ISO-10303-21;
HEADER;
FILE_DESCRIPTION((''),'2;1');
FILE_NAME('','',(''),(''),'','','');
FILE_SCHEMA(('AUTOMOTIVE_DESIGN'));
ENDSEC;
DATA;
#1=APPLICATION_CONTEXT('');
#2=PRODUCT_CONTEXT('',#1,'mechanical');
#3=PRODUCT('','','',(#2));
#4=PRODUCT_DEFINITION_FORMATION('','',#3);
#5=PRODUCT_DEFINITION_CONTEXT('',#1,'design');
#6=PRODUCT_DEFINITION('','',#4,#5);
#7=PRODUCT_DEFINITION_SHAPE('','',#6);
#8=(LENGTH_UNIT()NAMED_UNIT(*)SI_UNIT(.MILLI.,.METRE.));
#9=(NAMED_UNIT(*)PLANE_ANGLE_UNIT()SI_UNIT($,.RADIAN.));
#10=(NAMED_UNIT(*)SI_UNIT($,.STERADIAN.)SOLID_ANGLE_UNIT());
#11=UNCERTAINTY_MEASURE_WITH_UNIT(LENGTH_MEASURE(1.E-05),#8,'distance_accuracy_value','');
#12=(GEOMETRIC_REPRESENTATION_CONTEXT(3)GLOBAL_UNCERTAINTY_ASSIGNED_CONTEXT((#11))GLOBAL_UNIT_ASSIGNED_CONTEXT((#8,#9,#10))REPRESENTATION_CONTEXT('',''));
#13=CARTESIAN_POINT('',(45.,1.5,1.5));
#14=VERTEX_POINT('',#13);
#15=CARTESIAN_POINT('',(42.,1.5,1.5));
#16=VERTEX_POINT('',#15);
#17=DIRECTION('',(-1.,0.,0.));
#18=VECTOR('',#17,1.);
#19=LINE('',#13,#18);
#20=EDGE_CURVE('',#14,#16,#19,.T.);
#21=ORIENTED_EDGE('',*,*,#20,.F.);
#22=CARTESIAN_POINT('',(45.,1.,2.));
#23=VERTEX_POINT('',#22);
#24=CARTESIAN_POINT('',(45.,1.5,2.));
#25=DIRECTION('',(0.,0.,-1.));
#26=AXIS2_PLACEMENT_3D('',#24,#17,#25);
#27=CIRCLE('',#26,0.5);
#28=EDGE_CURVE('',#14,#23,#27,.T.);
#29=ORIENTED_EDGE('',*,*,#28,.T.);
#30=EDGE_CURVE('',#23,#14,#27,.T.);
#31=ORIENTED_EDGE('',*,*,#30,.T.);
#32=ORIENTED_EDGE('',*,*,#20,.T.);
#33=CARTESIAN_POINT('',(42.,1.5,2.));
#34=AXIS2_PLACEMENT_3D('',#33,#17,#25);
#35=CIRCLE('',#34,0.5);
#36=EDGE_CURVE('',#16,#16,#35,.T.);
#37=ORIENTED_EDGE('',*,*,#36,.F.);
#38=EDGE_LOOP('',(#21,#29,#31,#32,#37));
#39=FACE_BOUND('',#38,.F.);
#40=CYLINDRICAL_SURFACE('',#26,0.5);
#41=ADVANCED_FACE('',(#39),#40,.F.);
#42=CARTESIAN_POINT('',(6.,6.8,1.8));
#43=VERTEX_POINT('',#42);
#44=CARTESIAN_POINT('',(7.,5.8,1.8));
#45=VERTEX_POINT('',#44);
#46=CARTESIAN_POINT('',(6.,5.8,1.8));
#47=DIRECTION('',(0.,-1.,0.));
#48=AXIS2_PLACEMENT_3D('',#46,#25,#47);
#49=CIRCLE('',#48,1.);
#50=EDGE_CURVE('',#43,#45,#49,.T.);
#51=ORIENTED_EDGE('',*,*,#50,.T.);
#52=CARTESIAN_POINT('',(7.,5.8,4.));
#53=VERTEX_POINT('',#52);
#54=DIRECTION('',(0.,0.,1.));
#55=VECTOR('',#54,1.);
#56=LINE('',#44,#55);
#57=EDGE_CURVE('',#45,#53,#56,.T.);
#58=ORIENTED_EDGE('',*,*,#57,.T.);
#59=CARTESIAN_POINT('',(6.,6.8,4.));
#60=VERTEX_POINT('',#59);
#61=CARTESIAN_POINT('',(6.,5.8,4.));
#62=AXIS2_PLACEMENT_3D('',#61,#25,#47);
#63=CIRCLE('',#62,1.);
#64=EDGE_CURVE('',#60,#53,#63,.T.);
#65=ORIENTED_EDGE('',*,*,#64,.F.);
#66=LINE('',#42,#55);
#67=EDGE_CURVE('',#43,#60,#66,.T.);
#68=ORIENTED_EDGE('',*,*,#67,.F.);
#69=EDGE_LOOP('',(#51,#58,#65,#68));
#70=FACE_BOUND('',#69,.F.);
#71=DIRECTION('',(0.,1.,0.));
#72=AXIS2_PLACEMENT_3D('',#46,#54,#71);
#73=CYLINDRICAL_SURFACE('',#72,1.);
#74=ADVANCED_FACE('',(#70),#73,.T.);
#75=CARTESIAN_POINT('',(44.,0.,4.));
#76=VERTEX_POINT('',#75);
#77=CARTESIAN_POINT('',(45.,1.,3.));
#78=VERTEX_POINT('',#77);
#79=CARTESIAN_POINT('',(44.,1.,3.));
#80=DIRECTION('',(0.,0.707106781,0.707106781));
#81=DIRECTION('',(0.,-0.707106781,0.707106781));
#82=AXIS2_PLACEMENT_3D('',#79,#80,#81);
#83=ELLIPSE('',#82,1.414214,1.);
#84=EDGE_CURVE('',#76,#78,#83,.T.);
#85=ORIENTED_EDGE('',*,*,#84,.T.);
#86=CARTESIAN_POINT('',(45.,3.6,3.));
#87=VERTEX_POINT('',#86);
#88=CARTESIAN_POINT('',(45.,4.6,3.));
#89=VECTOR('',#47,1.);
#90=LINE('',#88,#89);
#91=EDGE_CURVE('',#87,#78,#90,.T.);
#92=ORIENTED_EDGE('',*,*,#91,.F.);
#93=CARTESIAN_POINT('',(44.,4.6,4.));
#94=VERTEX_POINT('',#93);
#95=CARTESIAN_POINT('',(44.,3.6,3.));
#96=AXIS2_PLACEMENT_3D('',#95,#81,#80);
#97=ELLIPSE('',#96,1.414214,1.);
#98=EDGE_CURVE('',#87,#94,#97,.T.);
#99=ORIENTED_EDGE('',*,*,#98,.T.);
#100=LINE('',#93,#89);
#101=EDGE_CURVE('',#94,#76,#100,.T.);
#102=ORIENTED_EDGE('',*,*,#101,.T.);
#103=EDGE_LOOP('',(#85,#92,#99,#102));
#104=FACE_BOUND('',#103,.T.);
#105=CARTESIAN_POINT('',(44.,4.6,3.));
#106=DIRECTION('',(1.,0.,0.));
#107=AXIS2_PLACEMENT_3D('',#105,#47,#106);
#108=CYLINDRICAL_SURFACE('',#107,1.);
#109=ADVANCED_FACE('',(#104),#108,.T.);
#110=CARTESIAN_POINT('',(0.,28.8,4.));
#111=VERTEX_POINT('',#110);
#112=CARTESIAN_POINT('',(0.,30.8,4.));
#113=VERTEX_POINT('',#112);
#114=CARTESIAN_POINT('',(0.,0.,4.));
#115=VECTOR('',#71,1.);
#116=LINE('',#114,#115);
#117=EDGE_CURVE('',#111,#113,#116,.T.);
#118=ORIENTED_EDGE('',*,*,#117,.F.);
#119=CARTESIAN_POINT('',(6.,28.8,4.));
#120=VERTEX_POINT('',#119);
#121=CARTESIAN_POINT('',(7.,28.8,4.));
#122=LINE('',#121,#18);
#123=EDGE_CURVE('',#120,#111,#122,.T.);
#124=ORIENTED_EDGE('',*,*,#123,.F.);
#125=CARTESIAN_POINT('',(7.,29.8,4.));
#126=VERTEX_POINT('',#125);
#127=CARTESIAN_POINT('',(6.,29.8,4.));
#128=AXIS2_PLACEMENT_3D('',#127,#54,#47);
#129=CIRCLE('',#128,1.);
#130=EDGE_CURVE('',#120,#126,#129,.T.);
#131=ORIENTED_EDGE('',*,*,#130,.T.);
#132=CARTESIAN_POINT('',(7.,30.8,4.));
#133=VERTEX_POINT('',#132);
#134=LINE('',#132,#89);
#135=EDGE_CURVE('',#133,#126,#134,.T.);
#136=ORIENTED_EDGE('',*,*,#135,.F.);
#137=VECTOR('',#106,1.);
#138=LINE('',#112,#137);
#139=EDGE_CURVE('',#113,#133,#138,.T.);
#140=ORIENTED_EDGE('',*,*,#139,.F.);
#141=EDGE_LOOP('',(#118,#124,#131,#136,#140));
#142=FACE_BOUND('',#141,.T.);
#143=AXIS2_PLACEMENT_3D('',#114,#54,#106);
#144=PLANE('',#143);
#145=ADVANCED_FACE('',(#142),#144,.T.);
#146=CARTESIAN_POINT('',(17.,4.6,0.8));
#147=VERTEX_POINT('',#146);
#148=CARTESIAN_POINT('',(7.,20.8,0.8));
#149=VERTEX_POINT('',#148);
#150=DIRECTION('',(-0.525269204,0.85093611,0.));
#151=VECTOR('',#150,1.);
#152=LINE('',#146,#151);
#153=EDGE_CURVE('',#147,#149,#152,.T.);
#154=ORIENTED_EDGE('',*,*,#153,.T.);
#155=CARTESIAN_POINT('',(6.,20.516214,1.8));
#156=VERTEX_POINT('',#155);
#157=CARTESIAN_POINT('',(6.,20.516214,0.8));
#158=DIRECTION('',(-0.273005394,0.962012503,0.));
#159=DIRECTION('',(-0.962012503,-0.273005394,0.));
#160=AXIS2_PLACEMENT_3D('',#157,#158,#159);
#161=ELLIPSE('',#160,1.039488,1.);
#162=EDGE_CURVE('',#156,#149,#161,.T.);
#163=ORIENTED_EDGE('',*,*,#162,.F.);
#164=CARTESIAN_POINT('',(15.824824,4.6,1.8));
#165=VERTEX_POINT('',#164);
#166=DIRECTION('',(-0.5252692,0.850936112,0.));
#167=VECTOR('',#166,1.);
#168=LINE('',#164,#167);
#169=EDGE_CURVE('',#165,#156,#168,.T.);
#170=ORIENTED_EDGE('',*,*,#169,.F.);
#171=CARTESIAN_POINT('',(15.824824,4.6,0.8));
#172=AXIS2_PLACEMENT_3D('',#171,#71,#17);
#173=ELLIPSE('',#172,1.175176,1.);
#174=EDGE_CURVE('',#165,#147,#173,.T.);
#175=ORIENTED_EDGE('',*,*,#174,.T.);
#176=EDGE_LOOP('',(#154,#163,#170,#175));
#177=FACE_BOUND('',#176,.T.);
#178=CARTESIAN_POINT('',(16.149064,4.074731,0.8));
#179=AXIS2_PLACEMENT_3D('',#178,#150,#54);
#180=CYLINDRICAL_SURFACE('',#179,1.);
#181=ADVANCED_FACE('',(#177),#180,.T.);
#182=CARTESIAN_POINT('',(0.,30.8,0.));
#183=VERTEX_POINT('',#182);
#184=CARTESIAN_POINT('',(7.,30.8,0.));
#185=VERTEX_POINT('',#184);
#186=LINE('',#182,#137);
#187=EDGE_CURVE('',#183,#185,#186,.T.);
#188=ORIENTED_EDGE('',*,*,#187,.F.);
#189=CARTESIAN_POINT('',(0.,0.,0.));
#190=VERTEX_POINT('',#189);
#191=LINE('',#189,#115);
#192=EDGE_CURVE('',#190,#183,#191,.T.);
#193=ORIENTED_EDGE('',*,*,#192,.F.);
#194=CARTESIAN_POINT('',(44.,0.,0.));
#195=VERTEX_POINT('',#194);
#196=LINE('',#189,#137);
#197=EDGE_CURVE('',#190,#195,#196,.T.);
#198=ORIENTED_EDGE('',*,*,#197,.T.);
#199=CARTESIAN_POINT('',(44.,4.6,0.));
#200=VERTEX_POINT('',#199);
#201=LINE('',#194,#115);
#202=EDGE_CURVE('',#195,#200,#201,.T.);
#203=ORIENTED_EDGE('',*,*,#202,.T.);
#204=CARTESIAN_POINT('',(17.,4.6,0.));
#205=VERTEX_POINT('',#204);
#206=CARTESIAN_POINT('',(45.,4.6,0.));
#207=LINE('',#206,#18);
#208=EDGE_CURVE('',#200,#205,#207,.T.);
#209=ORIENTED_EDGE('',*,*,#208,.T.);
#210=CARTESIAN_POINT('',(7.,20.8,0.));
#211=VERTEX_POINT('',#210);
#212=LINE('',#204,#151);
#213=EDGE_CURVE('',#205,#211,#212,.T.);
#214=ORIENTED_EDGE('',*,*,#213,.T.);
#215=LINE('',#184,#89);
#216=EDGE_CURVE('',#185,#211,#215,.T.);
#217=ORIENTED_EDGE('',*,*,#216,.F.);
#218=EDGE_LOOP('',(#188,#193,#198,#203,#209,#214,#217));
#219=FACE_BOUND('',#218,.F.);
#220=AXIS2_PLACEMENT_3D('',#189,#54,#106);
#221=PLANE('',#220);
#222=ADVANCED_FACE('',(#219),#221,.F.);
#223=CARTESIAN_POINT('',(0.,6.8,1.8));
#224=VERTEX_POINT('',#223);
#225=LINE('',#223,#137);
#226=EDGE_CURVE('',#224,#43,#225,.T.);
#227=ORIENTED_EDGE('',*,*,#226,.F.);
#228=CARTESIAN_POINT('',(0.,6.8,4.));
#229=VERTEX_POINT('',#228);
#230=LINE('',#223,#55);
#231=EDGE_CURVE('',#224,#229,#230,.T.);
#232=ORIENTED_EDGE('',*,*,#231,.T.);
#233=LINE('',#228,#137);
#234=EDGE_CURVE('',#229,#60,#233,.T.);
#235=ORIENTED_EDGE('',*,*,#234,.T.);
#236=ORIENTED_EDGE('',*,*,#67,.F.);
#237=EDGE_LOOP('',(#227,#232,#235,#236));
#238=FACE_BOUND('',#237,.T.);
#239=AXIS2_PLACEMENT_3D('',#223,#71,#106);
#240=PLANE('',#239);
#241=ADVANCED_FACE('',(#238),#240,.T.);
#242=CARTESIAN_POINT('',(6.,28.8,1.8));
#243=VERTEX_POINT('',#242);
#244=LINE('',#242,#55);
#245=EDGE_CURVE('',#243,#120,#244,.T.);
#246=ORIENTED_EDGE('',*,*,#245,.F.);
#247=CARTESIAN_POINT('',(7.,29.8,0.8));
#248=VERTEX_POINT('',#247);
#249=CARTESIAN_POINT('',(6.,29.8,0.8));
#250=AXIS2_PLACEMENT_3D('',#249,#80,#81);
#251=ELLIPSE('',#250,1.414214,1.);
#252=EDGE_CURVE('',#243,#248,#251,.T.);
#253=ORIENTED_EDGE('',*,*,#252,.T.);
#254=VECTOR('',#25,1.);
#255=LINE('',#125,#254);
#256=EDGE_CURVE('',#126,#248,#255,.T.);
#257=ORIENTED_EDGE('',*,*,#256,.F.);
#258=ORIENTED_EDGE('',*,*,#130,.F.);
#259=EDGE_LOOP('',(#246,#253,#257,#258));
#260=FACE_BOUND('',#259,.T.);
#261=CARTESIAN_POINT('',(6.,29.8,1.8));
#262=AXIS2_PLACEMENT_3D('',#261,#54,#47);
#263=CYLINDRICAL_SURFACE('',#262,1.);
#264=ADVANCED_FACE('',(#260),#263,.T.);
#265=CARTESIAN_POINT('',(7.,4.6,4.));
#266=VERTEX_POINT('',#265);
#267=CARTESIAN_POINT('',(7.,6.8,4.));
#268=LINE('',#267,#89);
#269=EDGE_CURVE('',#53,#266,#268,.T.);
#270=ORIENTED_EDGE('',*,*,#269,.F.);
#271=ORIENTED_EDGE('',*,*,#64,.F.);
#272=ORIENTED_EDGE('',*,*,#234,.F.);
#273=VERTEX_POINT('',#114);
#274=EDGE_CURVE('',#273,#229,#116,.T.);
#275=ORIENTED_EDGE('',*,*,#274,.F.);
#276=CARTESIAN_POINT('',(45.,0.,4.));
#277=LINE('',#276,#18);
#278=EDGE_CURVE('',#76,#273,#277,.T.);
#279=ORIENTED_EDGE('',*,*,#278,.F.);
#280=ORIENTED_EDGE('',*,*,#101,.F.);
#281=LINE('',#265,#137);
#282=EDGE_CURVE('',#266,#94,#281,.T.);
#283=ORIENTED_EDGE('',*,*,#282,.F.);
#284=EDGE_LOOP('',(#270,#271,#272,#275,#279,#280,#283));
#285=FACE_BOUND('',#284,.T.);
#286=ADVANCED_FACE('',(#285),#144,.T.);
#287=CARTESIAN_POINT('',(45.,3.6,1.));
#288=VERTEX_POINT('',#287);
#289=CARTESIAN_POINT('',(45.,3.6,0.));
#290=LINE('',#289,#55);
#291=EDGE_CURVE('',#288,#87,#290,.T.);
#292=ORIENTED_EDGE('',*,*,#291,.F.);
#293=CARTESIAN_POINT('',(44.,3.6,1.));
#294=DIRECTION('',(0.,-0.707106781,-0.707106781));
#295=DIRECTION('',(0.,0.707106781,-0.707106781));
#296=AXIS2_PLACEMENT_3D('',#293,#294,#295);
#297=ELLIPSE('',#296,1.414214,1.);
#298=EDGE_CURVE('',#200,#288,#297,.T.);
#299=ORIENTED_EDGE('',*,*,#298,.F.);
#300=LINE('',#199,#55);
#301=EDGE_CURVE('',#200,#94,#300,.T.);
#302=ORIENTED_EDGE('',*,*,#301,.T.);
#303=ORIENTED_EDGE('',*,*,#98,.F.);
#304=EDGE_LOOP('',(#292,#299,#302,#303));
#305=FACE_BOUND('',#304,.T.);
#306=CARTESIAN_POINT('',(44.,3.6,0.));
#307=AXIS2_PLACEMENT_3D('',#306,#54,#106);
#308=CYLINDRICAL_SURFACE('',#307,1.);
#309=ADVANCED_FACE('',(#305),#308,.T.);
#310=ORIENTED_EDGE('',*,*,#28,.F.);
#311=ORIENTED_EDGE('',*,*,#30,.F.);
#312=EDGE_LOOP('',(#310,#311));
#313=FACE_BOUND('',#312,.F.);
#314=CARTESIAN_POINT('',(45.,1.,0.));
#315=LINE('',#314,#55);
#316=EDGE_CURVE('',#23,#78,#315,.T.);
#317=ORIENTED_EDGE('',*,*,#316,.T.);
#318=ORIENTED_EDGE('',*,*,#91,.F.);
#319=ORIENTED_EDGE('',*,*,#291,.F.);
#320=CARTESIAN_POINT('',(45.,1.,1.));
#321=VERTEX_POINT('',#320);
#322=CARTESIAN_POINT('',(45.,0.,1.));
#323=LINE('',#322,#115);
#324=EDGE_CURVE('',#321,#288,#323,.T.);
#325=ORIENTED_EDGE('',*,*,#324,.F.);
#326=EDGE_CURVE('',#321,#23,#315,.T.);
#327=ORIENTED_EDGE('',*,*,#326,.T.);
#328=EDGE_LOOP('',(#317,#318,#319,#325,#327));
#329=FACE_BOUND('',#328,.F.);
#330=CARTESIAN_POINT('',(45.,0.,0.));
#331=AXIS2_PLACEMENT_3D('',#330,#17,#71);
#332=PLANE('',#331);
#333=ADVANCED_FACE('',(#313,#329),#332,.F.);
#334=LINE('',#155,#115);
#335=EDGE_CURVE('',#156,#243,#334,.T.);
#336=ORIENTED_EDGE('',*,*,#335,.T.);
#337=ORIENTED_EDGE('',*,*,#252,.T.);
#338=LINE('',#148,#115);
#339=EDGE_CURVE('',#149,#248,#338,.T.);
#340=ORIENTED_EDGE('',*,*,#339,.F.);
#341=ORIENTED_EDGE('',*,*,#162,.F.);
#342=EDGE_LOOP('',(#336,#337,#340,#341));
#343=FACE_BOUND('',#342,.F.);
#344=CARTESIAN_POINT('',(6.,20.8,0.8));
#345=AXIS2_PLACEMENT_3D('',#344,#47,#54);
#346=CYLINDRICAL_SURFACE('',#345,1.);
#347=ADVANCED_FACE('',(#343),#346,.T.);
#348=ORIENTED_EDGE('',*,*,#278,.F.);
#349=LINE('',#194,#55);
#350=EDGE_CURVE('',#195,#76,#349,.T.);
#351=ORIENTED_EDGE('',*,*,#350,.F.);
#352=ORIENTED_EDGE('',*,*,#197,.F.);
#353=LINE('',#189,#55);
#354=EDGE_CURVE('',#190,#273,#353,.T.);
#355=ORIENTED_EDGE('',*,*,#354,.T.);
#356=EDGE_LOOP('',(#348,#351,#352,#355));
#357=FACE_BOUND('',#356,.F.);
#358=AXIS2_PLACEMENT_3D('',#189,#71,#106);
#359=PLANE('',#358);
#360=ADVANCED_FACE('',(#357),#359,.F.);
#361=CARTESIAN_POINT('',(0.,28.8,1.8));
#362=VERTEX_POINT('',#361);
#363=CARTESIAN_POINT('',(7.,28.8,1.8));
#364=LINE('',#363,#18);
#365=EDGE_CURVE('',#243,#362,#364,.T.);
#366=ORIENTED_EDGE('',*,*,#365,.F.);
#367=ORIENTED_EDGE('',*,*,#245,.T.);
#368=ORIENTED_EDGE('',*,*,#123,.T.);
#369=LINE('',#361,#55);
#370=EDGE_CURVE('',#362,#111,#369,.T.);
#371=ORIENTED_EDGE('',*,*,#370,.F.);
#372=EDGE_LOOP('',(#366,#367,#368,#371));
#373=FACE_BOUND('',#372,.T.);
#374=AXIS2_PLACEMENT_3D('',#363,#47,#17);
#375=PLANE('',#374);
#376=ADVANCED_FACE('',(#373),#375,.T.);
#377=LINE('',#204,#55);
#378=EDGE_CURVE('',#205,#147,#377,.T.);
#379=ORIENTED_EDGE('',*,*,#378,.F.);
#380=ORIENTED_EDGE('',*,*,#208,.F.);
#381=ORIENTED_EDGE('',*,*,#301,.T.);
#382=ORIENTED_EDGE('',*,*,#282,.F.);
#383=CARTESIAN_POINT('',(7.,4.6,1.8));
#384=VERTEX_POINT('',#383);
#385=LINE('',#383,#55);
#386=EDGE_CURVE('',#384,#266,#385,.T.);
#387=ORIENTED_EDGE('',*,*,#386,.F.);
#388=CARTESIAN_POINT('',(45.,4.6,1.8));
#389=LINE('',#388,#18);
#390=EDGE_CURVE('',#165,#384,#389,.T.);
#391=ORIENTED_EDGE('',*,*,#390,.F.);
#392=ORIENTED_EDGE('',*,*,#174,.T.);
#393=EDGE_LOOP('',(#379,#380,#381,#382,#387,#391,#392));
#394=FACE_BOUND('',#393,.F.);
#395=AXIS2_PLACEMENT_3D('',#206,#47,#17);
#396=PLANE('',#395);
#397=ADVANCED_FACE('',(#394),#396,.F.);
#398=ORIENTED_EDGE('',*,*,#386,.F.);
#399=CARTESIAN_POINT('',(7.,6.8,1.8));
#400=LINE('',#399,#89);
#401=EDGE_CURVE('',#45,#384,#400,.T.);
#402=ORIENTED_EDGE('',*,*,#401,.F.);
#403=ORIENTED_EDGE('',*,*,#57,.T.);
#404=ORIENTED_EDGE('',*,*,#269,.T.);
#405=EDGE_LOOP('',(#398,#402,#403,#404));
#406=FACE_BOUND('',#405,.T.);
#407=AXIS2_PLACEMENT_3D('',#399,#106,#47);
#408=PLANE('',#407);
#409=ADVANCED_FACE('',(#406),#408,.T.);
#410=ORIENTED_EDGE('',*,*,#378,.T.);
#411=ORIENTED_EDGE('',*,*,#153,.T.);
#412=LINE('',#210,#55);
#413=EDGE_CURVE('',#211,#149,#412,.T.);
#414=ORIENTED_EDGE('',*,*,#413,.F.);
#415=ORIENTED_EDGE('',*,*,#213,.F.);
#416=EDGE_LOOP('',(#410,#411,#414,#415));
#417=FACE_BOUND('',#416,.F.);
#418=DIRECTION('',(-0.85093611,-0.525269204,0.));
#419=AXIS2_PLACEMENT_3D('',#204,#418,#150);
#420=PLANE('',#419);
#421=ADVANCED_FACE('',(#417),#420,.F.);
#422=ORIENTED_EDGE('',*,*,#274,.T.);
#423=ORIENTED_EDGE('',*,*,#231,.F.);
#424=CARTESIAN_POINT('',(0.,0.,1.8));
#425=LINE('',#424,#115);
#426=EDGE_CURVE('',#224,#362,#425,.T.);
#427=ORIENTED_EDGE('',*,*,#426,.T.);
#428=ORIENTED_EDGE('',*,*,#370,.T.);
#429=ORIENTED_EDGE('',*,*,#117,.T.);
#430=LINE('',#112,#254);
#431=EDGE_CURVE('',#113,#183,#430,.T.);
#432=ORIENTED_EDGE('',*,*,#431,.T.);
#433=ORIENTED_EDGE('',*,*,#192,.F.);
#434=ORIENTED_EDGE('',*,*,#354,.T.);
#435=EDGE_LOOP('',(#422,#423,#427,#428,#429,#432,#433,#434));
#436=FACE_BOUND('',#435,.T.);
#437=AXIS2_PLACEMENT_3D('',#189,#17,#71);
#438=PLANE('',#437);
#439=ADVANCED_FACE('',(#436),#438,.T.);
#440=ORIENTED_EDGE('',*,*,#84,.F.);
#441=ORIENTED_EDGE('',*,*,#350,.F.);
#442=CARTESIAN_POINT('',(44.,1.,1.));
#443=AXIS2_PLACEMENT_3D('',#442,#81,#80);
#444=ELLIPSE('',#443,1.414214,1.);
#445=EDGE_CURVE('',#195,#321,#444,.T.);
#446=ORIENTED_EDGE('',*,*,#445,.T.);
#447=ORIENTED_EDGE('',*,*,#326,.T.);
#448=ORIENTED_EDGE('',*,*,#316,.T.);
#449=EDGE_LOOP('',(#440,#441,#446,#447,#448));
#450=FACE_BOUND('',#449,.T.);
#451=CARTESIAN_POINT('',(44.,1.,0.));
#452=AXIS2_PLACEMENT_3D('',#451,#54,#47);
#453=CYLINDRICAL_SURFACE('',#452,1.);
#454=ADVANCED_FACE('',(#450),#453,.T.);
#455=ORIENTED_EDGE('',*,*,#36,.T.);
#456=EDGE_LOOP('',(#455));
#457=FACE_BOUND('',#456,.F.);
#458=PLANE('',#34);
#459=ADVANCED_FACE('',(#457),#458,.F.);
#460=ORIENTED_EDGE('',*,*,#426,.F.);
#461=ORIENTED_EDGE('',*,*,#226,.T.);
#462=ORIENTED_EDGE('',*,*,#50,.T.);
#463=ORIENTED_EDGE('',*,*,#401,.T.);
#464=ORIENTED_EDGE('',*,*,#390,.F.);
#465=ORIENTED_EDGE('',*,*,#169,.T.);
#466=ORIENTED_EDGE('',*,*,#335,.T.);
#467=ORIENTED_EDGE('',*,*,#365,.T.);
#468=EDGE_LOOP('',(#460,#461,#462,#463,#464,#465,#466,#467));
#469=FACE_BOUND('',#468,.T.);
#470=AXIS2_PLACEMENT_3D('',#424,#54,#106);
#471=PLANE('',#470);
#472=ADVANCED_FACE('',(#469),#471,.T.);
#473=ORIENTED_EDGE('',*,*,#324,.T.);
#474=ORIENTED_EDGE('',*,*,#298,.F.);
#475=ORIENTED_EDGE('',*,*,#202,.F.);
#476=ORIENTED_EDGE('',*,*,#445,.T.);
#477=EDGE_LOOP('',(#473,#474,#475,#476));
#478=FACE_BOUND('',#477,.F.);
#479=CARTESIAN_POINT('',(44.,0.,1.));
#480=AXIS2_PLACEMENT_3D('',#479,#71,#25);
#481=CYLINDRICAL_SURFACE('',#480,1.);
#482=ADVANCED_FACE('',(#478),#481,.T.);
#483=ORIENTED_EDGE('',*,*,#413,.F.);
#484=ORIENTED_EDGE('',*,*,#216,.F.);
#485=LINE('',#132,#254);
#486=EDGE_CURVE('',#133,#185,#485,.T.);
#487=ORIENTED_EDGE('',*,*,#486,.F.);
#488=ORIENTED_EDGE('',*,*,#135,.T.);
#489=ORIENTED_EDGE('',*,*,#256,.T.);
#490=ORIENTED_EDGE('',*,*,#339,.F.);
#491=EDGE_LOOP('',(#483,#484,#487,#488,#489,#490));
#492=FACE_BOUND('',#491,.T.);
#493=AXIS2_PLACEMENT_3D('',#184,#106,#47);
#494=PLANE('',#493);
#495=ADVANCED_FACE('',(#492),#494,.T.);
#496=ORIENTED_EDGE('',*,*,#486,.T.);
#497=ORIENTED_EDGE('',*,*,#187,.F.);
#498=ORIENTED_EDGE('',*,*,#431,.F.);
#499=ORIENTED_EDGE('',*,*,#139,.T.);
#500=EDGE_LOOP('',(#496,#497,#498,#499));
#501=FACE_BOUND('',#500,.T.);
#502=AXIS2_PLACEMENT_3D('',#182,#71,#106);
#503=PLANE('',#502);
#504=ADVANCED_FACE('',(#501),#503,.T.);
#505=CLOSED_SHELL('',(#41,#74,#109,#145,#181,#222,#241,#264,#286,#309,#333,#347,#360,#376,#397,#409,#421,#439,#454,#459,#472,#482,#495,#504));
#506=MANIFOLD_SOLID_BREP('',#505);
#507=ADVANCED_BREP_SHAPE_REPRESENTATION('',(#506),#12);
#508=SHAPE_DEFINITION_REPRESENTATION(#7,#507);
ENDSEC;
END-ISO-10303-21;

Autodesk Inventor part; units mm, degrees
ref_plane "YZ Plane" through (0, 0, 0) normal (1, 0, 0) x (0, 1, 0)
ref_plane "XZ Plane" through (0, 0, 0) normal (0, 1, 0) x (-1, 0, 0)
ref_plane "XY Plane" through (0, 0, 0) normal (0, 0, 1) x (1, 0, 0)
sketch "Boceto1" plane through (0, 0, 0) normal (0, 0, 1) x (1, 0, 0)
  line L0 (0, 0) -> (0, 30.8)
  line L1 (0, 30.8) -> (7, 30.8)
  line L2 (7, 30.8) -> (7, 20.8)
  line L3 (0, 0) -> (45, 0)
  line L4 (45, 0) -> (45, 4.6)
  line L5 (45, 4.6) -> (17, 4.6)
  line L6 (17, 4.6) -> (7, 20.8)
  dimension "d0" = 30.8
  dimension "d1" = 7
  dimension "d2" = 10
  dimension "d3" = 45
  dimension "d4" = 4.6
  dimension "d5" = 28
extrude "Extrusión1" add sketch "Boceto1" along normal blind 1.8
sketch "Boceto2" plane through (0, 0, 1.8) normal (0, 0, 1) x (1, 0, 0)
  line L0 (0, 0) -> (0, 30.8) projected
  line L1 (45, 0) -> (0, 0) projected
  line L2 (45, 4.6) -> (45, 0) projected
  line L3 (17, 4.6) -> (45, 4.6) projected
  line L4 (7, 30.8) -> (7, 20.8) projected
  line L5 (17, 4.6) -> (7, 4.6)
  line L6 (0, 6.8) -> (7, 6.8)
  line L7 (7, 6.8) -> (7, 4.6)
  line L8 (0, 30.8) -> (7, 30.8)
  line L9 (7, 30.8) -> (7, 28.8)
  line L10 (7, 28.8) -> (0, 28.8)
  line L11 (0, 28.8) -> (0, 30.8)
  dimension "d8" = 10
  dimension "d14" = 6.8
  dimension "d18" = 2
extrude "Extrusión2" add sketch "Boceto2" along normal blind 2.2
fillet "Empalme1" radius 1 4 edges at (45, 0, 2) (45, 2.3, 0) (45, 4.6, 2) (45, 2.3, 4)
fillet "Empalme2" radius 1 4 edges at (7, 6.8, 2.9) (7, 28.8, 2.9) (12, 12.7, 1.8) (7, 24.8, 1.8)
sketch "Boceto3" plane through (45, 1, 3) normal (1, 0, 0) x (0, 0, -1)
  line L0 (2, 0) -> (0, 0) projected
  line L1 (2, 2.6) -> (2, 0) projected
  point P0 (3, -1)
  point P1 (1, 0.5)
  dimension "d20" = 0.5
  dimension "d21" = 1
hole "Hole1" at (45, 1.5, 2) direction (-1, 0, 0) diameter 1 depth 3
equation "\"Radio_pliegue\" = Grosor"
equation "\"Anchura_desahogo_plegado\" = Grosor"
equation "\"Profundidad_desahogo_plegado\" = 0.5 * Grosor"
equation "\"Tamaño_destalonado\" = 4 * Grosor"
equation "\"Remanente_mínimo\" = 2 * Grosor"
equation "\"Radiodetransición\" = Radio_pliegue"
equation "\"Tamaño_de_radio_de_Jacobi\" = Radio_pliegue"
equation "\"TamañoSeparación\" = Grosor"
equation "\"Grosor\" = 0.5"
properties part number "Tirador" material "Por defecto"
